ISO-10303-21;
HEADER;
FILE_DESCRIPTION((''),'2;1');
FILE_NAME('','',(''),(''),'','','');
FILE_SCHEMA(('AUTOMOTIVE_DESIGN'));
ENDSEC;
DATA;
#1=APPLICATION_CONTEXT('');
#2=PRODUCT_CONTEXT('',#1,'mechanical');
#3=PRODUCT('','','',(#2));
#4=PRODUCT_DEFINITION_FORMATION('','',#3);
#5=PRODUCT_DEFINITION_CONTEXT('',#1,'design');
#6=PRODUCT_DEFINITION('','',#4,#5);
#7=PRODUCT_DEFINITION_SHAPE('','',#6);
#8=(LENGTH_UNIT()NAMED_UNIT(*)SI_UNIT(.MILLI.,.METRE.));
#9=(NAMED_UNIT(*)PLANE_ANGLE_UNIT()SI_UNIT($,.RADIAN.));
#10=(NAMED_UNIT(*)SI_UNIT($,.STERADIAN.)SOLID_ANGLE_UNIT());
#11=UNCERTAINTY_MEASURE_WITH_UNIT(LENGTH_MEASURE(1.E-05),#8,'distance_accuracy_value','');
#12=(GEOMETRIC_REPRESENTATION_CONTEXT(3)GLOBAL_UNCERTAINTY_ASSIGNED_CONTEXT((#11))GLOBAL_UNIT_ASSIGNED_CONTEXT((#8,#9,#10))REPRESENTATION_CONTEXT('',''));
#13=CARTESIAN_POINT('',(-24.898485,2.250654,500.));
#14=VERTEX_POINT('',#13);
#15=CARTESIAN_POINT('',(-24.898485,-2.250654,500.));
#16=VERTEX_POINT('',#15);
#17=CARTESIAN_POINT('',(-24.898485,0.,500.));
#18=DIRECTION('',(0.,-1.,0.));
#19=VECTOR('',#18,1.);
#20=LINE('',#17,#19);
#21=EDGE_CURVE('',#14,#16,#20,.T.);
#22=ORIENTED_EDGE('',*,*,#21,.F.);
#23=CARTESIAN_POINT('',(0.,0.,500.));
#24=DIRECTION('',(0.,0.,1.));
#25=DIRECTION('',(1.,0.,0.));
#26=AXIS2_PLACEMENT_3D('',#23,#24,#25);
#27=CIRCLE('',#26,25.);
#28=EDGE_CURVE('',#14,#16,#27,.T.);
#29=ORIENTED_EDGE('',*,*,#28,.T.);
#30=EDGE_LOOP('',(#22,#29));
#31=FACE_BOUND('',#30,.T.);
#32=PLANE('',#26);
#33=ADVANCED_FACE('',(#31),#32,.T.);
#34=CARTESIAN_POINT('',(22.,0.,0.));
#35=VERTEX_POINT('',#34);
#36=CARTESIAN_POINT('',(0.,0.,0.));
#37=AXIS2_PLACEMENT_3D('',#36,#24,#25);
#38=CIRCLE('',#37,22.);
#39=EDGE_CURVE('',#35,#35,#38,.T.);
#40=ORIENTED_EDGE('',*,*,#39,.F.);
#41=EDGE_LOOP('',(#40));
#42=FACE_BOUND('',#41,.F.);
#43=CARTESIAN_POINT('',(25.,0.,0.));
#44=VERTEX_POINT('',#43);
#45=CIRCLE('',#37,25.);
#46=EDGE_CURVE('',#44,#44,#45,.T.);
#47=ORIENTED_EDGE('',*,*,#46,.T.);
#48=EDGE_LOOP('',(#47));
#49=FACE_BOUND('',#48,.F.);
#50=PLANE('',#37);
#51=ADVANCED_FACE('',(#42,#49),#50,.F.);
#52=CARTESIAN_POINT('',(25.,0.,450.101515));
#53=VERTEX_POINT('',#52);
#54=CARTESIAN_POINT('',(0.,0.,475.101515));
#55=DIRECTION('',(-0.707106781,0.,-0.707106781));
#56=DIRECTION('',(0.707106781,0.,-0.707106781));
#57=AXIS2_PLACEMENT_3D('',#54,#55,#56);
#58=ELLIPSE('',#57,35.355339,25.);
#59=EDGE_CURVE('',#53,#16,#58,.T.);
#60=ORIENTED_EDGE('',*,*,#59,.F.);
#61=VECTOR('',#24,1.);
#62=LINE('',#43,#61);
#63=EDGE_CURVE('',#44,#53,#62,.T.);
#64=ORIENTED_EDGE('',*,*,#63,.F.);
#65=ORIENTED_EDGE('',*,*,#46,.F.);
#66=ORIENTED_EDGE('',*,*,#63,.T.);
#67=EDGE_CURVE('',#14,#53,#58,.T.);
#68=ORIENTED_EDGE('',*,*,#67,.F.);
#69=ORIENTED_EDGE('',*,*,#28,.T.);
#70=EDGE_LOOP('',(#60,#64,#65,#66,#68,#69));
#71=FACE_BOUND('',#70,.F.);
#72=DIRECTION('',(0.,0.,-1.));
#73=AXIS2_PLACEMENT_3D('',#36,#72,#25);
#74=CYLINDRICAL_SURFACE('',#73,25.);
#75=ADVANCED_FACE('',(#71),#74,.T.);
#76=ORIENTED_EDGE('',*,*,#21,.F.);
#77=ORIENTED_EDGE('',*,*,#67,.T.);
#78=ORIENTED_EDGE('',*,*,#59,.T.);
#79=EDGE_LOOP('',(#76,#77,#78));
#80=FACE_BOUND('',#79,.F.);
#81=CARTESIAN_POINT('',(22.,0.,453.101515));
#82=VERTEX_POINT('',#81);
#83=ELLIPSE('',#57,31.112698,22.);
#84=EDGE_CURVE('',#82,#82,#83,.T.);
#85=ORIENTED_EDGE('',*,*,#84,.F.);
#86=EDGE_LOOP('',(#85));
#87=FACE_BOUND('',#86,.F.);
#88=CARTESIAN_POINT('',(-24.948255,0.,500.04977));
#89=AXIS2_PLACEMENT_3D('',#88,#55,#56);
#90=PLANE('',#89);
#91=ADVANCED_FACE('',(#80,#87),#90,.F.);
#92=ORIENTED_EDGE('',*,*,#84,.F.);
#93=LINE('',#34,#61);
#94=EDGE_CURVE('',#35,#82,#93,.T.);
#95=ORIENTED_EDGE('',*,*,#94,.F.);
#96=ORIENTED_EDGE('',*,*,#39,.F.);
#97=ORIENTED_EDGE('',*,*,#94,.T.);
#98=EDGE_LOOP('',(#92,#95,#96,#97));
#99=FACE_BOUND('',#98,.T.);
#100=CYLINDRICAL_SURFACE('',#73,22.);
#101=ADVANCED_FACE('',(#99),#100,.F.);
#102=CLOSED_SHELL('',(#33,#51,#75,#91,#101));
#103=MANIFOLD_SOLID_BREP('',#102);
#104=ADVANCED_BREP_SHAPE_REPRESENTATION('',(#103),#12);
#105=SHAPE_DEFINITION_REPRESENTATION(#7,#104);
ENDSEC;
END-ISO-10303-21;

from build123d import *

# Parameters (mm, degrees)
F0_R     = 25
F0_R_2   = 22
F1_DEPTH = 500
F3_DEPTH = 40


with BuildPart() as f1:
    # F0 (on Top) → F1 (new body)
    with BuildSketch(Plane.XY):
        Circle(F0_R)
        Circle(F0_R_2, mode=Mode.SUBTRACT)
    extrude(amount=F1_DEPTH)

    # F2 (on Front) → F3 (cut, symmetric)
    with BuildSketch(Plane.XZ):
        Polygon((25.051745, 500.04977), (-24.948255, 500.04977), (25.051745, 450.04977), align=None)
    extrude(amount=F3_DEPTH, both=True, mode=Mode.SUBTRACT)


solid = f1.part
